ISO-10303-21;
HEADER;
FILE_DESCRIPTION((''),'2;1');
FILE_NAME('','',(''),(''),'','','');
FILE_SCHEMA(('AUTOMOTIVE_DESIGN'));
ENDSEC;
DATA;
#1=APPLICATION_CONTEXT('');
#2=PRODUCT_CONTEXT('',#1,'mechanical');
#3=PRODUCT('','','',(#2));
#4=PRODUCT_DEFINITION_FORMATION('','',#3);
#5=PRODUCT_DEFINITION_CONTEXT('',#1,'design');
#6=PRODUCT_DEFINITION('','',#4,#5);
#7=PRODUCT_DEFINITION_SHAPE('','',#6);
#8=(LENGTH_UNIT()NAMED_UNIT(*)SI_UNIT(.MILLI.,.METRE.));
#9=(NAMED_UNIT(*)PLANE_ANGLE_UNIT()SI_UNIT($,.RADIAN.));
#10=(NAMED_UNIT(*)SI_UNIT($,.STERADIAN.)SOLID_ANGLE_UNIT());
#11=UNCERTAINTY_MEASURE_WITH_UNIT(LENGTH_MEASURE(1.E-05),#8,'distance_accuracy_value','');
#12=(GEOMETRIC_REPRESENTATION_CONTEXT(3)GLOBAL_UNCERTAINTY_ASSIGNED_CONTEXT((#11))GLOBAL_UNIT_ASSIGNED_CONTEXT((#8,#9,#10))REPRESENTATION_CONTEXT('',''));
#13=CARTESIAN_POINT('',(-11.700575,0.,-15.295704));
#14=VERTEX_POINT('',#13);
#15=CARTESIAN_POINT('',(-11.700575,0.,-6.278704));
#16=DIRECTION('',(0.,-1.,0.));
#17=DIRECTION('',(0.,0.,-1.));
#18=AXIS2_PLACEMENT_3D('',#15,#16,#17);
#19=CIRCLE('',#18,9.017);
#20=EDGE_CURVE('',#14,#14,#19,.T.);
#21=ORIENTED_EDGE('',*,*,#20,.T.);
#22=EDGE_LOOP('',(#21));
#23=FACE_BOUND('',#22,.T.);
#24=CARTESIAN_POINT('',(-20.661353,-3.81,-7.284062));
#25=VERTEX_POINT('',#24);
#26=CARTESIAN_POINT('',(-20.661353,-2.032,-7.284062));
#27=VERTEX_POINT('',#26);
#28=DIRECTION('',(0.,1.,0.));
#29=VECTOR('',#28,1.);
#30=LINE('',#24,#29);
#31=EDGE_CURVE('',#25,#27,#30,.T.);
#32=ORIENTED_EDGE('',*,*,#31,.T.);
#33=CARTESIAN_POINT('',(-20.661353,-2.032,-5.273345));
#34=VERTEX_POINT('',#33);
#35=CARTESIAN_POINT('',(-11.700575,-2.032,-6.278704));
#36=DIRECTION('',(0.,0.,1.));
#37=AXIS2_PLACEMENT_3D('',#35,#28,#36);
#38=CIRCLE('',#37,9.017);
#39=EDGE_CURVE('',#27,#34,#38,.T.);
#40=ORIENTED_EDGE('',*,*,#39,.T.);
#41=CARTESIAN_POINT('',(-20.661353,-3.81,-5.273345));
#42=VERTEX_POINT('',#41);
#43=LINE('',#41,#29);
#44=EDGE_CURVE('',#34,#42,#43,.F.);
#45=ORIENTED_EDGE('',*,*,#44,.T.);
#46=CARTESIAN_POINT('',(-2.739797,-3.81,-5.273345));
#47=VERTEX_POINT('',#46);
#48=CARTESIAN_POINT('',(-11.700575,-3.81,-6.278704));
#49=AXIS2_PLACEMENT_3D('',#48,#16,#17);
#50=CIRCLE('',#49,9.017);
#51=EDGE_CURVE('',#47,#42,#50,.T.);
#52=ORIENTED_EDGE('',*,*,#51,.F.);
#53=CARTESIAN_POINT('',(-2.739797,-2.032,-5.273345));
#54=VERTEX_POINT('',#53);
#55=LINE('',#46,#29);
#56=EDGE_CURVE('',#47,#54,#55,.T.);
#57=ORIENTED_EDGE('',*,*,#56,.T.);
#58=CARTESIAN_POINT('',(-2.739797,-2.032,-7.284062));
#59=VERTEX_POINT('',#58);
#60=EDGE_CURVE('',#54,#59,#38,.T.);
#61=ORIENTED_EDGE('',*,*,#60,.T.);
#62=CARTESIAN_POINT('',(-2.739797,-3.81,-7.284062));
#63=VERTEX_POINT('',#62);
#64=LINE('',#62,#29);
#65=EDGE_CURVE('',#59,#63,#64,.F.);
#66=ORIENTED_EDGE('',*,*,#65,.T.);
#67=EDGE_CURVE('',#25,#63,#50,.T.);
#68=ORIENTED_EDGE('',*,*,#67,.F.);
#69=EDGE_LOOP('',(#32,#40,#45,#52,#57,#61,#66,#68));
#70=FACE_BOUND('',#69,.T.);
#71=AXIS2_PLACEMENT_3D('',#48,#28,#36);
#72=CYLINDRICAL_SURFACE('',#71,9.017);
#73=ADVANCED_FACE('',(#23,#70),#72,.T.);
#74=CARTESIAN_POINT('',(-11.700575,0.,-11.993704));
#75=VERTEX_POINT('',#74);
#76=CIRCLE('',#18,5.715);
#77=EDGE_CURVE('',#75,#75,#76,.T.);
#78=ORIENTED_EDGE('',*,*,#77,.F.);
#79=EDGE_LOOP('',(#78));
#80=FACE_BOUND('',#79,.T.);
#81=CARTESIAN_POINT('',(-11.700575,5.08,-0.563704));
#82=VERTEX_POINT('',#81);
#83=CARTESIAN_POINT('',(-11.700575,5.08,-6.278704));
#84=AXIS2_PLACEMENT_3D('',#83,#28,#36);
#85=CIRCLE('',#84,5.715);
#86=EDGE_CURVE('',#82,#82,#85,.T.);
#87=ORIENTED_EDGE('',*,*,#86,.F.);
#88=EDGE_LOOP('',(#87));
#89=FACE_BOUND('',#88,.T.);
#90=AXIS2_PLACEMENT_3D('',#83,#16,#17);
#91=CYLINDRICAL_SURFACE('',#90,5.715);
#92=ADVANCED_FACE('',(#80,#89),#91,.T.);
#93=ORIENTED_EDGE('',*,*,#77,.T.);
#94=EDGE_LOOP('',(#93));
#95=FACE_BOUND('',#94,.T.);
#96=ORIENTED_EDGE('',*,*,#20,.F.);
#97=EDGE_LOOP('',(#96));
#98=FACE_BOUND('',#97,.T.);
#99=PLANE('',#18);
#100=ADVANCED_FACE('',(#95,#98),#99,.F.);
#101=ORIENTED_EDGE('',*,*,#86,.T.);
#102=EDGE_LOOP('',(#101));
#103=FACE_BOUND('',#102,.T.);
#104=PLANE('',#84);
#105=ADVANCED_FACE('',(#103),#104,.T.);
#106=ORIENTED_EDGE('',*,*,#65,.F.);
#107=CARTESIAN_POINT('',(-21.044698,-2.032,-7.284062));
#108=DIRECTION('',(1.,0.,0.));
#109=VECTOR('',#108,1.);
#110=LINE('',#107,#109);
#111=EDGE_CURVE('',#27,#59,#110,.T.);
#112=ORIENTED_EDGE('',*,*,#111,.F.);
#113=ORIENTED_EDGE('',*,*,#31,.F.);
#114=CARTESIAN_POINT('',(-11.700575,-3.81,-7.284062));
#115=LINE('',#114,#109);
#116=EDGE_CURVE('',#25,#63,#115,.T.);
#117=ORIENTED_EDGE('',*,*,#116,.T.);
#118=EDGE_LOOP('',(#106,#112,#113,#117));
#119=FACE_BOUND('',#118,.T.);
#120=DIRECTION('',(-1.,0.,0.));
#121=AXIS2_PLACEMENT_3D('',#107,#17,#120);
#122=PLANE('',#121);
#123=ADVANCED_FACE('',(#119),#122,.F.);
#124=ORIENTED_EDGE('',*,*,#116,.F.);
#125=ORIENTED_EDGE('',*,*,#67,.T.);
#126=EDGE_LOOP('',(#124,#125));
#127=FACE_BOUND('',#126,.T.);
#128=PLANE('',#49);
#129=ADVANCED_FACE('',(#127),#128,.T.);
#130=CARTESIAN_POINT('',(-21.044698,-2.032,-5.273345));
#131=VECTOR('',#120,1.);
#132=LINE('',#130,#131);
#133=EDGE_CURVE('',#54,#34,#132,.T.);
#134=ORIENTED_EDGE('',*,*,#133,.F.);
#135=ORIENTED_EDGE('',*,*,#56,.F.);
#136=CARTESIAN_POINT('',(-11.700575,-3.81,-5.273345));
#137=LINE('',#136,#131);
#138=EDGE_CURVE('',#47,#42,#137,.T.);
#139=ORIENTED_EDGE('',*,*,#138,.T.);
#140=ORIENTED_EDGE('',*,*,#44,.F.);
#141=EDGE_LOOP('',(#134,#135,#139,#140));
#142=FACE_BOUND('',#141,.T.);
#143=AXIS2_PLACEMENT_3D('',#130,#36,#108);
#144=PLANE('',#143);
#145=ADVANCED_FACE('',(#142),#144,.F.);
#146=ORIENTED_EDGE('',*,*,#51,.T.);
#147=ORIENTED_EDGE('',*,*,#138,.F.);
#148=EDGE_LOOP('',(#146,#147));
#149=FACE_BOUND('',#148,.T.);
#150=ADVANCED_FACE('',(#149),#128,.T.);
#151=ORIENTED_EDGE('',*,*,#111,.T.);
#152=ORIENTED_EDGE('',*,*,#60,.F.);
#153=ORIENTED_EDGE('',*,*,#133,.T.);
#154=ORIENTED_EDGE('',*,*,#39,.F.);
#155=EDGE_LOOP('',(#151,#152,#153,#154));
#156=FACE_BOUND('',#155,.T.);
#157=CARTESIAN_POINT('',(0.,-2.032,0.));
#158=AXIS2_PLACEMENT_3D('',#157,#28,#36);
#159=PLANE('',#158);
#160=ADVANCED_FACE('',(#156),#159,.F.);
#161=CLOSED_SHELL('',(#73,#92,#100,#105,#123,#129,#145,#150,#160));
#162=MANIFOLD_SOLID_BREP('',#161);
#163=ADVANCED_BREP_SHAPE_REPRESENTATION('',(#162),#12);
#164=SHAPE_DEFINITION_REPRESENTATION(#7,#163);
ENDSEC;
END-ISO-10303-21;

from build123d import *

# Parameters (mm, degrees)
SKETCH1_R           = 5.715
BOSS_EXTRUDE1_DEPTH = 5.08
SKETCH2_R           = 9.017
BOSS_EXTRUDE2_DEPTH = 3.81
SKETCH3_W           = 18.688246184
SKETCH3_H           = 2.010717395
CUT_EXTRUDE1_DEPTH  = 1.778


with BuildPart() as part:
    # Sketch1 → Boss-Extrude1 (new body)
    with BuildSketch(Plane(origin=(0, 0, 0), x_dir=(1, 0, 0), z_dir=(0, 1, 0))):
        with Locations(Location((-11.700574837, 6.278703551, 0), (0, 0, 270))):
            Circle(SKETCH1_R)
    extrude(amount=BOSS_EXTRUDE1_DEPTH)

    # Sketch2 → Boss-Extrude2 (add)
    with BuildSketch(Plane.XZ):
        with Locations(Location((-11.700574837, -6.278703551, 0), (0, 0, 90))):
            Circle(SKETCH2_R)
    extrude(amount=BOSS_EXTRUDE2_DEPTH)

    # Sketch3 → Cut-Extrude1 (cut)
    with BuildSketch(Plane.XZ.offset(3.81)):
        with Locations((-11.700574837, -6.278703552)):
            Rectangle(SKETCH3_W, SKETCH3_H)
    extrude(amount=-CUT_EXTRUDE1_DEPTH, mode=Mode.SUBTRACT)


solid = part.part
